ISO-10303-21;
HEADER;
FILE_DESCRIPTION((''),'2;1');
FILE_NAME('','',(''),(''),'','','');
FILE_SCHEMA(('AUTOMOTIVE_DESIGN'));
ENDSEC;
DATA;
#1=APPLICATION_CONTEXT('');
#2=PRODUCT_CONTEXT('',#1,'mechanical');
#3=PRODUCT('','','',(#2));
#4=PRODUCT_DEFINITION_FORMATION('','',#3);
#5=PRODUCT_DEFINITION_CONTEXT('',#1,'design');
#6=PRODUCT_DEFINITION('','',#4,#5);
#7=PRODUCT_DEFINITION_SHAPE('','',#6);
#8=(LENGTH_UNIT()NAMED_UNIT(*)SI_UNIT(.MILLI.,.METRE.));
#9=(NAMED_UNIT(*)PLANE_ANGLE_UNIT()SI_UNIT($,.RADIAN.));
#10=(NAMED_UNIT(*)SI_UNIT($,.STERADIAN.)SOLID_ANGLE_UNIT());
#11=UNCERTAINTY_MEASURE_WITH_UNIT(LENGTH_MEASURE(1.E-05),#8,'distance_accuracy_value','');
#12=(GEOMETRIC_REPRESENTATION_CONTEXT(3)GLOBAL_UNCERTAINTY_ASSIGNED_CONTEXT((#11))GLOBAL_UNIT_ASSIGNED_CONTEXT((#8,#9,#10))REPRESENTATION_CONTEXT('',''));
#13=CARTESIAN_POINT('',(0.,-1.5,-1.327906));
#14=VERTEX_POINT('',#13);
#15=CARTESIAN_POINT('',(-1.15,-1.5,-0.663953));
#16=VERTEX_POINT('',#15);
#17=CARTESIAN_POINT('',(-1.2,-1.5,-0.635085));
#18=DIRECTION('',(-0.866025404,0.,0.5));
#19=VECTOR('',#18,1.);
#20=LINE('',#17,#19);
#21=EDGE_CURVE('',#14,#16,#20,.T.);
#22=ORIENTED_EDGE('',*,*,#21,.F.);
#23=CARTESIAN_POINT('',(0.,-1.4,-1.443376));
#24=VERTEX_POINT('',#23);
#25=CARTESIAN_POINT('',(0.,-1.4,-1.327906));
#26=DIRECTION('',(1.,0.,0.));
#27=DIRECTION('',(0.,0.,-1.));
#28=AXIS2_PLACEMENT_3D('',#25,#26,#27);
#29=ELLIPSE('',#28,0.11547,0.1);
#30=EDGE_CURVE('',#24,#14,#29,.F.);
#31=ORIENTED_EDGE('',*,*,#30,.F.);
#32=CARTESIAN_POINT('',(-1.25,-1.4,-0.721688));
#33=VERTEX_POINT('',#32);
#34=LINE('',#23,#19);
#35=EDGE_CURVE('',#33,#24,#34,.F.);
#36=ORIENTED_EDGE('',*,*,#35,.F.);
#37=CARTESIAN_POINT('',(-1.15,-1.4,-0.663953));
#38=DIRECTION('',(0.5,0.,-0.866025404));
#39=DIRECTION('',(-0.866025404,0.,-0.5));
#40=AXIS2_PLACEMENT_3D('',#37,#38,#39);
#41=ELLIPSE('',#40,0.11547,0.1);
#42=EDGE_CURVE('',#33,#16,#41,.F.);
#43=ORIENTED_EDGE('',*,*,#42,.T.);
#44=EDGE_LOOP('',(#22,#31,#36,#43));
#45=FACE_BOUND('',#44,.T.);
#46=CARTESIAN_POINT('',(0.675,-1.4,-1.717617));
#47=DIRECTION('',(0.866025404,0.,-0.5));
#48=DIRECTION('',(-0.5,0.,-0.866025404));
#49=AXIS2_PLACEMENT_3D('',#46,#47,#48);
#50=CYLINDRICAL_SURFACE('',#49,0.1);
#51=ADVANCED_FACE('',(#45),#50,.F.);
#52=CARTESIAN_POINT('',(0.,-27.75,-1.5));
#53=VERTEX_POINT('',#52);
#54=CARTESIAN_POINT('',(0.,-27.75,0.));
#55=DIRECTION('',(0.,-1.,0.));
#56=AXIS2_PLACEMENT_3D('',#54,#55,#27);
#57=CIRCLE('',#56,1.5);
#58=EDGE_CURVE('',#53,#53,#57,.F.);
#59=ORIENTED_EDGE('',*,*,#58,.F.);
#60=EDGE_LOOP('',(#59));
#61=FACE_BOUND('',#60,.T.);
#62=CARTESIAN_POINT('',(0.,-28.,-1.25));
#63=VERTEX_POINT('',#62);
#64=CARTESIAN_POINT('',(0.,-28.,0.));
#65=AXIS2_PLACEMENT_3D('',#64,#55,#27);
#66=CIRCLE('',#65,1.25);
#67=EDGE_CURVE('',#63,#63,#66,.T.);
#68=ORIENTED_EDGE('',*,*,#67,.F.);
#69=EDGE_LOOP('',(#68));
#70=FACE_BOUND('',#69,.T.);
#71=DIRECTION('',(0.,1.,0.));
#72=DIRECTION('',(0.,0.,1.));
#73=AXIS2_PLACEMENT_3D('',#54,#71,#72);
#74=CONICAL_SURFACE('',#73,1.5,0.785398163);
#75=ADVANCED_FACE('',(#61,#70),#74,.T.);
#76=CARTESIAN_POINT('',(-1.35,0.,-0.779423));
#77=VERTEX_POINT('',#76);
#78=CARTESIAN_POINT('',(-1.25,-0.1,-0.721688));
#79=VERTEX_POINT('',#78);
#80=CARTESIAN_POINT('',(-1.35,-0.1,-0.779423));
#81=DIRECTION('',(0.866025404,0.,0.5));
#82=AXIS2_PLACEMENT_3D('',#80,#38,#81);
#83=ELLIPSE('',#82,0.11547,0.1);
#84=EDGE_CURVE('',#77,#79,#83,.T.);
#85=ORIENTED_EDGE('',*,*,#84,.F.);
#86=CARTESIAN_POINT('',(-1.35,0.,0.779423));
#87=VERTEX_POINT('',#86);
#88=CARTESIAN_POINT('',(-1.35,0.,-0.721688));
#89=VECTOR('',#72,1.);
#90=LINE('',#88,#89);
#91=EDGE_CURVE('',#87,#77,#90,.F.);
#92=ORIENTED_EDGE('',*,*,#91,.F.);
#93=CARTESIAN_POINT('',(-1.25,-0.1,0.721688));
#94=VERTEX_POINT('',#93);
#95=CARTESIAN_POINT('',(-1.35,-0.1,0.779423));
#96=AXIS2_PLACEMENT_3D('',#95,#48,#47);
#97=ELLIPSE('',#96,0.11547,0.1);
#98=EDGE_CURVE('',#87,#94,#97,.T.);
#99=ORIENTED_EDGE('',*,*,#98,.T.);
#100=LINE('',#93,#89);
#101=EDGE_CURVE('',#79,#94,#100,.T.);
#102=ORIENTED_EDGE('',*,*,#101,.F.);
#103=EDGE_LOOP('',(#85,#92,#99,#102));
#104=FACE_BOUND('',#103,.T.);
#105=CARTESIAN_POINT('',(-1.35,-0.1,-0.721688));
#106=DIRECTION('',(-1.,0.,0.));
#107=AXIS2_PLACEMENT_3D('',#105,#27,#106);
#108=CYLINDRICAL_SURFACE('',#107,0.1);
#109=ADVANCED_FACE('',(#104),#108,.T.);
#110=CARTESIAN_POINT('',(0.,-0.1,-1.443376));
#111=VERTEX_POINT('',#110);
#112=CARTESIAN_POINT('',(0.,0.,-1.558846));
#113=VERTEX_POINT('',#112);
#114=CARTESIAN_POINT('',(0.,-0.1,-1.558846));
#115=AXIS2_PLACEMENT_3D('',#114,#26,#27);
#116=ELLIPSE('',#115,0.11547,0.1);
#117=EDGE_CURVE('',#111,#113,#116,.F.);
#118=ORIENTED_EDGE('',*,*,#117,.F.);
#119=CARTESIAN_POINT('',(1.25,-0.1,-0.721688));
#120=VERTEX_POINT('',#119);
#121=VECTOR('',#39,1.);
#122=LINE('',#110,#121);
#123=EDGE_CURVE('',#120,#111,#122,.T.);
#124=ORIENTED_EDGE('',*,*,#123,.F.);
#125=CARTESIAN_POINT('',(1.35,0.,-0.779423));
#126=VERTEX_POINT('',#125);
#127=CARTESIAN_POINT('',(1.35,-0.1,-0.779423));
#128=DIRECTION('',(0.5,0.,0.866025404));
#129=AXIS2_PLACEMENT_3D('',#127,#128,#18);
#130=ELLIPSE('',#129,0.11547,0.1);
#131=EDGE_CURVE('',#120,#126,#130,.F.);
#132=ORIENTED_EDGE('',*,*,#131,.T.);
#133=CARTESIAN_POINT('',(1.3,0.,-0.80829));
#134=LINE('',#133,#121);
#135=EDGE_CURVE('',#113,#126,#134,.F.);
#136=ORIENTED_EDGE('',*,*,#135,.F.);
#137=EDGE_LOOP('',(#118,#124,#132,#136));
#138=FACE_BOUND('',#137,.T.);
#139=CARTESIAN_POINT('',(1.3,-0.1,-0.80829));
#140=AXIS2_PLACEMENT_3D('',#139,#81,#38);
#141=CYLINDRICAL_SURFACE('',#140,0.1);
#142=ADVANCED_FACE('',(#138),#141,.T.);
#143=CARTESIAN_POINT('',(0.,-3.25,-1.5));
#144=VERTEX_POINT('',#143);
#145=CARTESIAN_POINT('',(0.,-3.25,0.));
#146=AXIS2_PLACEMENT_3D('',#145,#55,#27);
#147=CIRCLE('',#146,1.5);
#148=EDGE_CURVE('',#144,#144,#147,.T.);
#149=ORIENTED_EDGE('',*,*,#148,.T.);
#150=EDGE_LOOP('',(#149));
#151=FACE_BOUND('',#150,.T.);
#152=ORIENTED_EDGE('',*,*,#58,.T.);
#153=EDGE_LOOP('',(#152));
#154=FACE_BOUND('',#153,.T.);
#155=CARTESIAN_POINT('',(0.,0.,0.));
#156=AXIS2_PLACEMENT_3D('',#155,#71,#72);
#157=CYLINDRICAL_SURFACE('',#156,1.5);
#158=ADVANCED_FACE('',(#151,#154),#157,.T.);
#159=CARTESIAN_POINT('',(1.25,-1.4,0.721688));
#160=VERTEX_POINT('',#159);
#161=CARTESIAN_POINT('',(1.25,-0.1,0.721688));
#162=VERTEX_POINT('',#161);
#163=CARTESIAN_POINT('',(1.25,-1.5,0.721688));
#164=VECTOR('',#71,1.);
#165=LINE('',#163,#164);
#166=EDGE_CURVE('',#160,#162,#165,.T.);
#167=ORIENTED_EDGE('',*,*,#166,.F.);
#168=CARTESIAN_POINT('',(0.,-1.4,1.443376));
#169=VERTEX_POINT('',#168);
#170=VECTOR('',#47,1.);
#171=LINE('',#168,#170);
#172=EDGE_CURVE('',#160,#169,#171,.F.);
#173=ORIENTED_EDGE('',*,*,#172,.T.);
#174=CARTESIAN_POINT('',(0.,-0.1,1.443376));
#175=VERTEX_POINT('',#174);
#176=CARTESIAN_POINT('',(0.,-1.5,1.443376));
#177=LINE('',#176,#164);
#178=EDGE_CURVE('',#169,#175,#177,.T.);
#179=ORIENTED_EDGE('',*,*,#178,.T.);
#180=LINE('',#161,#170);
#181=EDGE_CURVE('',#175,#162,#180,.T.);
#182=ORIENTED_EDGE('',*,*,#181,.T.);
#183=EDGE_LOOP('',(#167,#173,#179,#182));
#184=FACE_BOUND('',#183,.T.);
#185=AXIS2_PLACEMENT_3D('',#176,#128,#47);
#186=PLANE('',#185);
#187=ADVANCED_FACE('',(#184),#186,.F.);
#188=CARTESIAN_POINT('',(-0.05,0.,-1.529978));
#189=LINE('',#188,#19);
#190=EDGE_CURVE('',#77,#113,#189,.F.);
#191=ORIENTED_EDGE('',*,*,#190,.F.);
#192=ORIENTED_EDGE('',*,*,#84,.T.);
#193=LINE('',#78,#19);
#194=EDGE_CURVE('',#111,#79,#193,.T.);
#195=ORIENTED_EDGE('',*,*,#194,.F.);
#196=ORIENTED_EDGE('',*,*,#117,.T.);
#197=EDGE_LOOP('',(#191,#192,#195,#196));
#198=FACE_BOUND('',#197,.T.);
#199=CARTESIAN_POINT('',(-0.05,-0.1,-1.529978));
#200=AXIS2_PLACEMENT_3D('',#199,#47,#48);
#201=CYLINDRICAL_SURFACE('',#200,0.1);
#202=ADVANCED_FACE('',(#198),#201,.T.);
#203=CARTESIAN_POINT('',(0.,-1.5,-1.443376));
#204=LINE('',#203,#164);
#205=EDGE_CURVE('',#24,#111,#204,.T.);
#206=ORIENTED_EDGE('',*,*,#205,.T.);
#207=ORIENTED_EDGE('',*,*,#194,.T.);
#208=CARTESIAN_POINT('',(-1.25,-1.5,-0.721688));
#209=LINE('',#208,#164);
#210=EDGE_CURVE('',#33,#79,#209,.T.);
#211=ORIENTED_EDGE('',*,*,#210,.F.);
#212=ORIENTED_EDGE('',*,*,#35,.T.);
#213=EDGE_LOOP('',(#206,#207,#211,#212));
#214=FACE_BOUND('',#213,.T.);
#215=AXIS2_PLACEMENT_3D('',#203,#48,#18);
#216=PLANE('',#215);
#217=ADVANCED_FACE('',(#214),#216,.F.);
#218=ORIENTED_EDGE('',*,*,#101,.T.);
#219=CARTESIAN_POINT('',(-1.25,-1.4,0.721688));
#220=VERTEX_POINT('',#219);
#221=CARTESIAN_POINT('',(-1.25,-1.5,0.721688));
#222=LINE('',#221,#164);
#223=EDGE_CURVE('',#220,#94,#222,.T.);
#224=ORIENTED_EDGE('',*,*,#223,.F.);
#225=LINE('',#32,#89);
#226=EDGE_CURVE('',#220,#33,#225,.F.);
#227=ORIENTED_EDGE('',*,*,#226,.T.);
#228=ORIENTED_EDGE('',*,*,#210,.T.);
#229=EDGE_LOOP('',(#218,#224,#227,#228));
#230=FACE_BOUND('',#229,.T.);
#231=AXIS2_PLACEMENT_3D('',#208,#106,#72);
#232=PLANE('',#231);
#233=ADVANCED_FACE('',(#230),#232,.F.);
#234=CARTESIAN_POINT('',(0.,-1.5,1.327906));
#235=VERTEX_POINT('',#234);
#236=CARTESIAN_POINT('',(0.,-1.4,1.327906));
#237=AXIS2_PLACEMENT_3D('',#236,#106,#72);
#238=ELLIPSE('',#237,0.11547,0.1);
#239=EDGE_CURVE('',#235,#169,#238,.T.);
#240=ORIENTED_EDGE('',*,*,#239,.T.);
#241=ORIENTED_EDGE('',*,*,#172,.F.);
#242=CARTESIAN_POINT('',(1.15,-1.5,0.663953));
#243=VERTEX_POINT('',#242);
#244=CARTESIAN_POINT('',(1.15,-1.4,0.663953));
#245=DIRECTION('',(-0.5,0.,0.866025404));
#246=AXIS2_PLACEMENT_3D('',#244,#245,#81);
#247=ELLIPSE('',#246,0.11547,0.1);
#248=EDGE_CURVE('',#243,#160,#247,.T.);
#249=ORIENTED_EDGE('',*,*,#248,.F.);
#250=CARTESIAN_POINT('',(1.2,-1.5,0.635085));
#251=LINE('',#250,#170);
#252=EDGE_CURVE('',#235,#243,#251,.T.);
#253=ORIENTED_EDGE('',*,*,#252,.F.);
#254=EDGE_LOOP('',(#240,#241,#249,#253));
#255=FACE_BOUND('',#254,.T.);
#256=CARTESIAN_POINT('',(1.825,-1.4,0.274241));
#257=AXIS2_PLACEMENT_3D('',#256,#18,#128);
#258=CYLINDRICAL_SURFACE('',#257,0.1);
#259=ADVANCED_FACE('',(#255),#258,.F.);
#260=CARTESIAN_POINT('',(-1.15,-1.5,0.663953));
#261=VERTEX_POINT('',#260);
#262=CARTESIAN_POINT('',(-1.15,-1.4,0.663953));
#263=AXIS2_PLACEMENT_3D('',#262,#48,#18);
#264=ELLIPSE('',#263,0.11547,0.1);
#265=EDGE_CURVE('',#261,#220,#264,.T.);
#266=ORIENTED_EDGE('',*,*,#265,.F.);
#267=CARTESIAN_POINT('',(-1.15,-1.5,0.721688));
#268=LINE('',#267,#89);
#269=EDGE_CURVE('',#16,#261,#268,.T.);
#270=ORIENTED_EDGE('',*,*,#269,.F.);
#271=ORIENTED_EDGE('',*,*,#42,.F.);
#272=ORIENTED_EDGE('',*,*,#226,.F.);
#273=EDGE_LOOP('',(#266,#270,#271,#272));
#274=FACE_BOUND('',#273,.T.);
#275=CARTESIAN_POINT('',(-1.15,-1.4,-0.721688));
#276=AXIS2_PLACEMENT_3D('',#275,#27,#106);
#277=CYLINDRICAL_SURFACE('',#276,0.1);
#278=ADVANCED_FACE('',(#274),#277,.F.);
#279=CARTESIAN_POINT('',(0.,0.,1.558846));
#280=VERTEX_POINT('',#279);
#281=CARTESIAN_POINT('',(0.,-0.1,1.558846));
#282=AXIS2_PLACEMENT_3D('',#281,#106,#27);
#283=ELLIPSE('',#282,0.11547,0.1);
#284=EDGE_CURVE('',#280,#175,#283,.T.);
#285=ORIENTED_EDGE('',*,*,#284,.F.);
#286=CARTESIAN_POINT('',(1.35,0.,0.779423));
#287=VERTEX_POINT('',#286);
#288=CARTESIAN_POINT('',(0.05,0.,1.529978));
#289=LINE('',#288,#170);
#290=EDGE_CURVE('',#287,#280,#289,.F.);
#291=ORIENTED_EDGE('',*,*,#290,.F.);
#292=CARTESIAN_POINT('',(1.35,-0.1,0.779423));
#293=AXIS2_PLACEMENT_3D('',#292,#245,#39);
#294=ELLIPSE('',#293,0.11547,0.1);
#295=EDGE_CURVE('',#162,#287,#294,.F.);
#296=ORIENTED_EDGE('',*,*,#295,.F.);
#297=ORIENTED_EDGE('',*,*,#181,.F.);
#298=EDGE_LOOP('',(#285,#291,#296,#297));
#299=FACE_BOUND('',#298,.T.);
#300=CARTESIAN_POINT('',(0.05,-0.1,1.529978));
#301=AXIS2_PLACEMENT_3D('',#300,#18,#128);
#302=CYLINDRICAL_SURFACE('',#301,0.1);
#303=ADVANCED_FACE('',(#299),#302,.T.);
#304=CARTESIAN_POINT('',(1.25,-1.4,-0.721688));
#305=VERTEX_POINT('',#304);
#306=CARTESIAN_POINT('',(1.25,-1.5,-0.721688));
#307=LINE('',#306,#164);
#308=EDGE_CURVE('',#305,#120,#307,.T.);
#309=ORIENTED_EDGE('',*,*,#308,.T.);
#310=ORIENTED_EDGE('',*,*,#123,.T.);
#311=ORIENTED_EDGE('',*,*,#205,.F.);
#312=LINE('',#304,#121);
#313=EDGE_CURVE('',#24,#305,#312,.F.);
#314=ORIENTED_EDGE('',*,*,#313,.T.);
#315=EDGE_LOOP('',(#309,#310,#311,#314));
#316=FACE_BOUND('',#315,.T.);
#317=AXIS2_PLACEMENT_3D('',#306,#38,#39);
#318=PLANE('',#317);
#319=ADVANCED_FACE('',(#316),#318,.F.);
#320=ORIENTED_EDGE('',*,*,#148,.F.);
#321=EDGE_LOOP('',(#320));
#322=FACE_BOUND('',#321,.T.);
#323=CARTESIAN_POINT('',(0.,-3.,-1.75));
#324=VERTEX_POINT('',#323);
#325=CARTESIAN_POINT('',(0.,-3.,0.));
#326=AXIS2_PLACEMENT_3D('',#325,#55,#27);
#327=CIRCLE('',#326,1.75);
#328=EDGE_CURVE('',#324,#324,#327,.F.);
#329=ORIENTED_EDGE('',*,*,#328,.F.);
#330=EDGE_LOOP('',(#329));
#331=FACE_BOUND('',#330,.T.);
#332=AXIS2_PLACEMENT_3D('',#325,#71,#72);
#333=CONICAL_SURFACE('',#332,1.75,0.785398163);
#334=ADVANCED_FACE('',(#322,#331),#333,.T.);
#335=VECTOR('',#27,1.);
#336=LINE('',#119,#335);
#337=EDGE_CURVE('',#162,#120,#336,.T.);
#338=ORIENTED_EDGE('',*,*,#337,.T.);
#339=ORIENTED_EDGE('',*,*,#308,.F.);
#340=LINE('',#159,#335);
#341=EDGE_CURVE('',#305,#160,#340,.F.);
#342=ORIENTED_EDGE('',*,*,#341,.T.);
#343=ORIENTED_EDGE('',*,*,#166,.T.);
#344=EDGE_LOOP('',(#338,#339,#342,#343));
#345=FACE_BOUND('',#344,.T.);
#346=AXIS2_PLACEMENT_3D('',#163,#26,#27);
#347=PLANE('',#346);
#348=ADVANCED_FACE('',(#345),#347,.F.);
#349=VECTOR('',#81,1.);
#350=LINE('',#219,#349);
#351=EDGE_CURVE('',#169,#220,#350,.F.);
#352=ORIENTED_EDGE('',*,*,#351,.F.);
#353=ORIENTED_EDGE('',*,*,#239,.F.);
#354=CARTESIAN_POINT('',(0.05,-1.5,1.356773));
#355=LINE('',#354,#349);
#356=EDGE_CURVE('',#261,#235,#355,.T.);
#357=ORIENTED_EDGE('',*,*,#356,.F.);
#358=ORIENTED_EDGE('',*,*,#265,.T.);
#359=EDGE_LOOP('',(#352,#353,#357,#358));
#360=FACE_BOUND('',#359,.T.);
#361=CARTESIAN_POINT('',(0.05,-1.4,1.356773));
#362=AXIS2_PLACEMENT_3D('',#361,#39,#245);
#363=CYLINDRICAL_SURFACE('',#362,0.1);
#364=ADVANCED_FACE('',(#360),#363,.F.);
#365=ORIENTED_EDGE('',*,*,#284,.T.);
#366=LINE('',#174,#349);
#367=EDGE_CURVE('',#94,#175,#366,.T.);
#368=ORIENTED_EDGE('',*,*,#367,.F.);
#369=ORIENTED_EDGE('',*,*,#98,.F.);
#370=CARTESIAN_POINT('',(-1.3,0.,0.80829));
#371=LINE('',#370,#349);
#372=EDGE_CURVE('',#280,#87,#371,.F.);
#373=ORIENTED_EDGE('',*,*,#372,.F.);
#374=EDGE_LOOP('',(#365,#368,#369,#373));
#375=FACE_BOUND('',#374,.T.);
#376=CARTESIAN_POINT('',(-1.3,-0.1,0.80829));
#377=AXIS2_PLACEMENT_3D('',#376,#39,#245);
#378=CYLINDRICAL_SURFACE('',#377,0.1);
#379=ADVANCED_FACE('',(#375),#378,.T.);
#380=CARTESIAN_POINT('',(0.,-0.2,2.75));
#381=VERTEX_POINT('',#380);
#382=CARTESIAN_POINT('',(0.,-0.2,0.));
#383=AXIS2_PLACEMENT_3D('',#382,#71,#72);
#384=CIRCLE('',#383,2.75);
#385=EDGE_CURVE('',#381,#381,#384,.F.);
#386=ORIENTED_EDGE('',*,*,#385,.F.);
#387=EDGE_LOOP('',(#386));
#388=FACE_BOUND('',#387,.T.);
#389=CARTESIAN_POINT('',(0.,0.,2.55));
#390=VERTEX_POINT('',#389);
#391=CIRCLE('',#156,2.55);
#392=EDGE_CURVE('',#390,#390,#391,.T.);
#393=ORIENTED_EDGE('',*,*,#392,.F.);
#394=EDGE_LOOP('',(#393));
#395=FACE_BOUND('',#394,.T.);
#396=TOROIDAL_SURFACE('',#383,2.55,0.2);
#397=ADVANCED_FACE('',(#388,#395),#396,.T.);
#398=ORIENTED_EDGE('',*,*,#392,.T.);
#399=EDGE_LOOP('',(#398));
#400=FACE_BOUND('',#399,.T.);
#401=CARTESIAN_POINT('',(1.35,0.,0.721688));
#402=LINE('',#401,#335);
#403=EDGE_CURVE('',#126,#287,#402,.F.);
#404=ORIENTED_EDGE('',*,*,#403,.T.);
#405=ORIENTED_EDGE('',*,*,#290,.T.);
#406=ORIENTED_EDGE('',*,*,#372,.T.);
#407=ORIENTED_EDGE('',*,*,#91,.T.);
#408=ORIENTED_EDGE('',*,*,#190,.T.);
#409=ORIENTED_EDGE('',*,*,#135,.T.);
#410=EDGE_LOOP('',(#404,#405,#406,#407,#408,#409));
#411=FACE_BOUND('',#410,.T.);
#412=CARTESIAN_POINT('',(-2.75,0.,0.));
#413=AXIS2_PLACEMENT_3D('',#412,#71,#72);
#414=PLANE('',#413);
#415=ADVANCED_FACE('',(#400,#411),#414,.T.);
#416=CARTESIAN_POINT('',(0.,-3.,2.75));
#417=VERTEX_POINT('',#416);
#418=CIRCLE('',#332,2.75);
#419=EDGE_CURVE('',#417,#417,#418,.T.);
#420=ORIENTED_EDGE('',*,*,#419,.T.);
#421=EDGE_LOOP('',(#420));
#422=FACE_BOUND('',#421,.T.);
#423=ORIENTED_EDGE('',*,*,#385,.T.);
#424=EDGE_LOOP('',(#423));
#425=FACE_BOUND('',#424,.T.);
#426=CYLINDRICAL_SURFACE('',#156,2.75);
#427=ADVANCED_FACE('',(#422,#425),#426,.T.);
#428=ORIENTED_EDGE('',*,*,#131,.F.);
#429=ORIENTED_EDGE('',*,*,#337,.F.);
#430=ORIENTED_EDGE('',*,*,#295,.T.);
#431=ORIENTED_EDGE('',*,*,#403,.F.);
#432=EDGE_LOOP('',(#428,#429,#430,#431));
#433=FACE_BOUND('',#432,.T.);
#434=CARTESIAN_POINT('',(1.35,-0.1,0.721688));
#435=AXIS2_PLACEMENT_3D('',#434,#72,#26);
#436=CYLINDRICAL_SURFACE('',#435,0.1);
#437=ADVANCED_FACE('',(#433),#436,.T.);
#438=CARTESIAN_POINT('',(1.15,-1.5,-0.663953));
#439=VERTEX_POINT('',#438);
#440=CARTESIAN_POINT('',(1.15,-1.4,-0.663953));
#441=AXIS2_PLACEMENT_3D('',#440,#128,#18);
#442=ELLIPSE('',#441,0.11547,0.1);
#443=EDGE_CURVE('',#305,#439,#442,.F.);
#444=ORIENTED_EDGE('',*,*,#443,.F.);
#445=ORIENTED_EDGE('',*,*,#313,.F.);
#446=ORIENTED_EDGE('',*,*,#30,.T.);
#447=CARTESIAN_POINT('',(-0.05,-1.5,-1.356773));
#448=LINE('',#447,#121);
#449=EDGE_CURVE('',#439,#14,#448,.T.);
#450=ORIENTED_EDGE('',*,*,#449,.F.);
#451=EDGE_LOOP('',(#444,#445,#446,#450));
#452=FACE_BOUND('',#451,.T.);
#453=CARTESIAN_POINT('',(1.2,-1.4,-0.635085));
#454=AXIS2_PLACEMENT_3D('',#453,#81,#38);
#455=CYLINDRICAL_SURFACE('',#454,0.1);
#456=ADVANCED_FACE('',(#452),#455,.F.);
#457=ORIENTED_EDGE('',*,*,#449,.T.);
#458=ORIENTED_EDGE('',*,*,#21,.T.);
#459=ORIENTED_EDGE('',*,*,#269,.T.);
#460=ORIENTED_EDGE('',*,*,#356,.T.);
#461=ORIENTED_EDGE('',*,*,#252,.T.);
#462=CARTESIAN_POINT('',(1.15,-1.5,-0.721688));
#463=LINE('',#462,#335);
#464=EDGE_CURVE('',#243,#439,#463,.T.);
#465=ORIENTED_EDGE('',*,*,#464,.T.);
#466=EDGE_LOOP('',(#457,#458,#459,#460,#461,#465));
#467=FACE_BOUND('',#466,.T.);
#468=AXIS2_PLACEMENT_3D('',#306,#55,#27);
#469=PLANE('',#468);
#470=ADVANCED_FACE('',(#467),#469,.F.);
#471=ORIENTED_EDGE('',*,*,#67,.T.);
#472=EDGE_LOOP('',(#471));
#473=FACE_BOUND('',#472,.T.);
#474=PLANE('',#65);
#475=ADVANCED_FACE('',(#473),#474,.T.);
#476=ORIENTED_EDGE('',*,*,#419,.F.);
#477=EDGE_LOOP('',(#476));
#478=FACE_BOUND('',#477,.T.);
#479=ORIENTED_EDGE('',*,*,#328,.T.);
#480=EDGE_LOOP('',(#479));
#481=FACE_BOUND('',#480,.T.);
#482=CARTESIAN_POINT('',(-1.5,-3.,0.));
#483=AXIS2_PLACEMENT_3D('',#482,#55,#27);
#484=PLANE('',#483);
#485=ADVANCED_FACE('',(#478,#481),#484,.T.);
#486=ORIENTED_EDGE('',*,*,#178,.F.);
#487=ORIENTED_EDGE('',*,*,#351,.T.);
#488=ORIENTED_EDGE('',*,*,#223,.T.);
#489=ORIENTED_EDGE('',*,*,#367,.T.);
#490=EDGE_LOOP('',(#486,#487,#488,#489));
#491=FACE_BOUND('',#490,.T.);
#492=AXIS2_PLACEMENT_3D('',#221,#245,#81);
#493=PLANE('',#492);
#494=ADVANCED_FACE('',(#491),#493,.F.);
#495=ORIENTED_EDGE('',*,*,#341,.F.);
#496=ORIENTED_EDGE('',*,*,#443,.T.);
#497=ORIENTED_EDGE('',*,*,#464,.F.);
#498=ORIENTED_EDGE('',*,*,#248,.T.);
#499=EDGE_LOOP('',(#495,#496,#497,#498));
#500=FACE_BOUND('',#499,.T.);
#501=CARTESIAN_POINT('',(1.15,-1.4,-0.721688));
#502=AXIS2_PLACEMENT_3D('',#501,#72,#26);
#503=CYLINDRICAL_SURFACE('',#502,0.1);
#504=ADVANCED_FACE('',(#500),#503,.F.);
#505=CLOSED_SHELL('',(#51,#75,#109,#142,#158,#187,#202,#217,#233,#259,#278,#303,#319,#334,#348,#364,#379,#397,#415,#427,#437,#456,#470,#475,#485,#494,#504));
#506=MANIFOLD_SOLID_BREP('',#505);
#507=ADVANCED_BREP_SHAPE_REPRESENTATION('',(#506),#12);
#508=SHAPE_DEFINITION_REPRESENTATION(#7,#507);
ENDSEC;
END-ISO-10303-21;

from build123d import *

# Parameters (mm, degrees)
CHAMFER1_SIZE      = 0.25
FILLET1_R          = 0.2
CUT_EXTRUDE1_DEPTH = 1.5
FILLET2_R          = 0.1


with BuildPart() as part:
    # Sketch1 → Revolve1 (revolve)
    with BuildSketch(Plane.XY, mode=Mode.PRIVATE) as revolve1_sk:
        Polygon((0, -28), (-1.5, -28), (-1.5, -3), (-2.75, -3), (-2.75, 0), (0, 0), align=None)
    revolve(revolve1_sk.sketch.rotate(Axis((0, 0, 0), (0, -1, 0)), 270), axis=Axis((0, 0, 0), (0, -1, 0)))

    # Chamfer1
    chamfer1_edges = [part.edges().sort_by_distance(p)[0] for p in [
        (0, -3, -1.5),
        (0, -28, -1.5),
    ]]
    chamfer(chamfer1_edges, length=CHAMFER1_SIZE)

    # Fillet1
    fillet1_edges = [part.edges().sort_by_distance(p)[0] for p in [
        (0, 0, -2.75),
    ]]
    fillet(fillet1_edges, radius=FILLET1_R)

    # Sketch2 → Cut-Extrude1 (cut)
    with BuildSketch(Plane(origin=(0, 0, 0), x_dir=(1, 0, 0), z_dir=(0, 1, 0))):
        Polygon((0, 1.443375673), (-1.25, 0.721687836), (-1.25, -0.721687836), (0, -1.443375673), (1.25, -0.721687836), (1.25, 0.721687836), align=None)
    extrude(amount=-CUT_EXTRUDE1_DEPTH, mode=Mode.SUBTRACT)

    # Fillet2
    fillet2_edges = [part.edges().sort_by_distance(p)[0] for p in [
        (0.625, -1.5, -1.082531755),
        (1.25, -1.5, 0),
        (0.625, -1.5, 1.082531755),
        (-0.625, -1.5, 1.082531755),
        (-1.25, -1.5, 0),
        (-0.625, -1.5, -1.082531755),
        (0.625, 0, -1.082531755),
        (-0.625, 0, -1.082531755),
        (-1.25, 0, 0),
        (-0.625, 0, 1.082531755),
        (0.625, 0, 1.082531755),
        (1.25, 0, 0),
    ]]
    fillet(fillet2_edges, radius=FILLET2_R)


solid = part.part
